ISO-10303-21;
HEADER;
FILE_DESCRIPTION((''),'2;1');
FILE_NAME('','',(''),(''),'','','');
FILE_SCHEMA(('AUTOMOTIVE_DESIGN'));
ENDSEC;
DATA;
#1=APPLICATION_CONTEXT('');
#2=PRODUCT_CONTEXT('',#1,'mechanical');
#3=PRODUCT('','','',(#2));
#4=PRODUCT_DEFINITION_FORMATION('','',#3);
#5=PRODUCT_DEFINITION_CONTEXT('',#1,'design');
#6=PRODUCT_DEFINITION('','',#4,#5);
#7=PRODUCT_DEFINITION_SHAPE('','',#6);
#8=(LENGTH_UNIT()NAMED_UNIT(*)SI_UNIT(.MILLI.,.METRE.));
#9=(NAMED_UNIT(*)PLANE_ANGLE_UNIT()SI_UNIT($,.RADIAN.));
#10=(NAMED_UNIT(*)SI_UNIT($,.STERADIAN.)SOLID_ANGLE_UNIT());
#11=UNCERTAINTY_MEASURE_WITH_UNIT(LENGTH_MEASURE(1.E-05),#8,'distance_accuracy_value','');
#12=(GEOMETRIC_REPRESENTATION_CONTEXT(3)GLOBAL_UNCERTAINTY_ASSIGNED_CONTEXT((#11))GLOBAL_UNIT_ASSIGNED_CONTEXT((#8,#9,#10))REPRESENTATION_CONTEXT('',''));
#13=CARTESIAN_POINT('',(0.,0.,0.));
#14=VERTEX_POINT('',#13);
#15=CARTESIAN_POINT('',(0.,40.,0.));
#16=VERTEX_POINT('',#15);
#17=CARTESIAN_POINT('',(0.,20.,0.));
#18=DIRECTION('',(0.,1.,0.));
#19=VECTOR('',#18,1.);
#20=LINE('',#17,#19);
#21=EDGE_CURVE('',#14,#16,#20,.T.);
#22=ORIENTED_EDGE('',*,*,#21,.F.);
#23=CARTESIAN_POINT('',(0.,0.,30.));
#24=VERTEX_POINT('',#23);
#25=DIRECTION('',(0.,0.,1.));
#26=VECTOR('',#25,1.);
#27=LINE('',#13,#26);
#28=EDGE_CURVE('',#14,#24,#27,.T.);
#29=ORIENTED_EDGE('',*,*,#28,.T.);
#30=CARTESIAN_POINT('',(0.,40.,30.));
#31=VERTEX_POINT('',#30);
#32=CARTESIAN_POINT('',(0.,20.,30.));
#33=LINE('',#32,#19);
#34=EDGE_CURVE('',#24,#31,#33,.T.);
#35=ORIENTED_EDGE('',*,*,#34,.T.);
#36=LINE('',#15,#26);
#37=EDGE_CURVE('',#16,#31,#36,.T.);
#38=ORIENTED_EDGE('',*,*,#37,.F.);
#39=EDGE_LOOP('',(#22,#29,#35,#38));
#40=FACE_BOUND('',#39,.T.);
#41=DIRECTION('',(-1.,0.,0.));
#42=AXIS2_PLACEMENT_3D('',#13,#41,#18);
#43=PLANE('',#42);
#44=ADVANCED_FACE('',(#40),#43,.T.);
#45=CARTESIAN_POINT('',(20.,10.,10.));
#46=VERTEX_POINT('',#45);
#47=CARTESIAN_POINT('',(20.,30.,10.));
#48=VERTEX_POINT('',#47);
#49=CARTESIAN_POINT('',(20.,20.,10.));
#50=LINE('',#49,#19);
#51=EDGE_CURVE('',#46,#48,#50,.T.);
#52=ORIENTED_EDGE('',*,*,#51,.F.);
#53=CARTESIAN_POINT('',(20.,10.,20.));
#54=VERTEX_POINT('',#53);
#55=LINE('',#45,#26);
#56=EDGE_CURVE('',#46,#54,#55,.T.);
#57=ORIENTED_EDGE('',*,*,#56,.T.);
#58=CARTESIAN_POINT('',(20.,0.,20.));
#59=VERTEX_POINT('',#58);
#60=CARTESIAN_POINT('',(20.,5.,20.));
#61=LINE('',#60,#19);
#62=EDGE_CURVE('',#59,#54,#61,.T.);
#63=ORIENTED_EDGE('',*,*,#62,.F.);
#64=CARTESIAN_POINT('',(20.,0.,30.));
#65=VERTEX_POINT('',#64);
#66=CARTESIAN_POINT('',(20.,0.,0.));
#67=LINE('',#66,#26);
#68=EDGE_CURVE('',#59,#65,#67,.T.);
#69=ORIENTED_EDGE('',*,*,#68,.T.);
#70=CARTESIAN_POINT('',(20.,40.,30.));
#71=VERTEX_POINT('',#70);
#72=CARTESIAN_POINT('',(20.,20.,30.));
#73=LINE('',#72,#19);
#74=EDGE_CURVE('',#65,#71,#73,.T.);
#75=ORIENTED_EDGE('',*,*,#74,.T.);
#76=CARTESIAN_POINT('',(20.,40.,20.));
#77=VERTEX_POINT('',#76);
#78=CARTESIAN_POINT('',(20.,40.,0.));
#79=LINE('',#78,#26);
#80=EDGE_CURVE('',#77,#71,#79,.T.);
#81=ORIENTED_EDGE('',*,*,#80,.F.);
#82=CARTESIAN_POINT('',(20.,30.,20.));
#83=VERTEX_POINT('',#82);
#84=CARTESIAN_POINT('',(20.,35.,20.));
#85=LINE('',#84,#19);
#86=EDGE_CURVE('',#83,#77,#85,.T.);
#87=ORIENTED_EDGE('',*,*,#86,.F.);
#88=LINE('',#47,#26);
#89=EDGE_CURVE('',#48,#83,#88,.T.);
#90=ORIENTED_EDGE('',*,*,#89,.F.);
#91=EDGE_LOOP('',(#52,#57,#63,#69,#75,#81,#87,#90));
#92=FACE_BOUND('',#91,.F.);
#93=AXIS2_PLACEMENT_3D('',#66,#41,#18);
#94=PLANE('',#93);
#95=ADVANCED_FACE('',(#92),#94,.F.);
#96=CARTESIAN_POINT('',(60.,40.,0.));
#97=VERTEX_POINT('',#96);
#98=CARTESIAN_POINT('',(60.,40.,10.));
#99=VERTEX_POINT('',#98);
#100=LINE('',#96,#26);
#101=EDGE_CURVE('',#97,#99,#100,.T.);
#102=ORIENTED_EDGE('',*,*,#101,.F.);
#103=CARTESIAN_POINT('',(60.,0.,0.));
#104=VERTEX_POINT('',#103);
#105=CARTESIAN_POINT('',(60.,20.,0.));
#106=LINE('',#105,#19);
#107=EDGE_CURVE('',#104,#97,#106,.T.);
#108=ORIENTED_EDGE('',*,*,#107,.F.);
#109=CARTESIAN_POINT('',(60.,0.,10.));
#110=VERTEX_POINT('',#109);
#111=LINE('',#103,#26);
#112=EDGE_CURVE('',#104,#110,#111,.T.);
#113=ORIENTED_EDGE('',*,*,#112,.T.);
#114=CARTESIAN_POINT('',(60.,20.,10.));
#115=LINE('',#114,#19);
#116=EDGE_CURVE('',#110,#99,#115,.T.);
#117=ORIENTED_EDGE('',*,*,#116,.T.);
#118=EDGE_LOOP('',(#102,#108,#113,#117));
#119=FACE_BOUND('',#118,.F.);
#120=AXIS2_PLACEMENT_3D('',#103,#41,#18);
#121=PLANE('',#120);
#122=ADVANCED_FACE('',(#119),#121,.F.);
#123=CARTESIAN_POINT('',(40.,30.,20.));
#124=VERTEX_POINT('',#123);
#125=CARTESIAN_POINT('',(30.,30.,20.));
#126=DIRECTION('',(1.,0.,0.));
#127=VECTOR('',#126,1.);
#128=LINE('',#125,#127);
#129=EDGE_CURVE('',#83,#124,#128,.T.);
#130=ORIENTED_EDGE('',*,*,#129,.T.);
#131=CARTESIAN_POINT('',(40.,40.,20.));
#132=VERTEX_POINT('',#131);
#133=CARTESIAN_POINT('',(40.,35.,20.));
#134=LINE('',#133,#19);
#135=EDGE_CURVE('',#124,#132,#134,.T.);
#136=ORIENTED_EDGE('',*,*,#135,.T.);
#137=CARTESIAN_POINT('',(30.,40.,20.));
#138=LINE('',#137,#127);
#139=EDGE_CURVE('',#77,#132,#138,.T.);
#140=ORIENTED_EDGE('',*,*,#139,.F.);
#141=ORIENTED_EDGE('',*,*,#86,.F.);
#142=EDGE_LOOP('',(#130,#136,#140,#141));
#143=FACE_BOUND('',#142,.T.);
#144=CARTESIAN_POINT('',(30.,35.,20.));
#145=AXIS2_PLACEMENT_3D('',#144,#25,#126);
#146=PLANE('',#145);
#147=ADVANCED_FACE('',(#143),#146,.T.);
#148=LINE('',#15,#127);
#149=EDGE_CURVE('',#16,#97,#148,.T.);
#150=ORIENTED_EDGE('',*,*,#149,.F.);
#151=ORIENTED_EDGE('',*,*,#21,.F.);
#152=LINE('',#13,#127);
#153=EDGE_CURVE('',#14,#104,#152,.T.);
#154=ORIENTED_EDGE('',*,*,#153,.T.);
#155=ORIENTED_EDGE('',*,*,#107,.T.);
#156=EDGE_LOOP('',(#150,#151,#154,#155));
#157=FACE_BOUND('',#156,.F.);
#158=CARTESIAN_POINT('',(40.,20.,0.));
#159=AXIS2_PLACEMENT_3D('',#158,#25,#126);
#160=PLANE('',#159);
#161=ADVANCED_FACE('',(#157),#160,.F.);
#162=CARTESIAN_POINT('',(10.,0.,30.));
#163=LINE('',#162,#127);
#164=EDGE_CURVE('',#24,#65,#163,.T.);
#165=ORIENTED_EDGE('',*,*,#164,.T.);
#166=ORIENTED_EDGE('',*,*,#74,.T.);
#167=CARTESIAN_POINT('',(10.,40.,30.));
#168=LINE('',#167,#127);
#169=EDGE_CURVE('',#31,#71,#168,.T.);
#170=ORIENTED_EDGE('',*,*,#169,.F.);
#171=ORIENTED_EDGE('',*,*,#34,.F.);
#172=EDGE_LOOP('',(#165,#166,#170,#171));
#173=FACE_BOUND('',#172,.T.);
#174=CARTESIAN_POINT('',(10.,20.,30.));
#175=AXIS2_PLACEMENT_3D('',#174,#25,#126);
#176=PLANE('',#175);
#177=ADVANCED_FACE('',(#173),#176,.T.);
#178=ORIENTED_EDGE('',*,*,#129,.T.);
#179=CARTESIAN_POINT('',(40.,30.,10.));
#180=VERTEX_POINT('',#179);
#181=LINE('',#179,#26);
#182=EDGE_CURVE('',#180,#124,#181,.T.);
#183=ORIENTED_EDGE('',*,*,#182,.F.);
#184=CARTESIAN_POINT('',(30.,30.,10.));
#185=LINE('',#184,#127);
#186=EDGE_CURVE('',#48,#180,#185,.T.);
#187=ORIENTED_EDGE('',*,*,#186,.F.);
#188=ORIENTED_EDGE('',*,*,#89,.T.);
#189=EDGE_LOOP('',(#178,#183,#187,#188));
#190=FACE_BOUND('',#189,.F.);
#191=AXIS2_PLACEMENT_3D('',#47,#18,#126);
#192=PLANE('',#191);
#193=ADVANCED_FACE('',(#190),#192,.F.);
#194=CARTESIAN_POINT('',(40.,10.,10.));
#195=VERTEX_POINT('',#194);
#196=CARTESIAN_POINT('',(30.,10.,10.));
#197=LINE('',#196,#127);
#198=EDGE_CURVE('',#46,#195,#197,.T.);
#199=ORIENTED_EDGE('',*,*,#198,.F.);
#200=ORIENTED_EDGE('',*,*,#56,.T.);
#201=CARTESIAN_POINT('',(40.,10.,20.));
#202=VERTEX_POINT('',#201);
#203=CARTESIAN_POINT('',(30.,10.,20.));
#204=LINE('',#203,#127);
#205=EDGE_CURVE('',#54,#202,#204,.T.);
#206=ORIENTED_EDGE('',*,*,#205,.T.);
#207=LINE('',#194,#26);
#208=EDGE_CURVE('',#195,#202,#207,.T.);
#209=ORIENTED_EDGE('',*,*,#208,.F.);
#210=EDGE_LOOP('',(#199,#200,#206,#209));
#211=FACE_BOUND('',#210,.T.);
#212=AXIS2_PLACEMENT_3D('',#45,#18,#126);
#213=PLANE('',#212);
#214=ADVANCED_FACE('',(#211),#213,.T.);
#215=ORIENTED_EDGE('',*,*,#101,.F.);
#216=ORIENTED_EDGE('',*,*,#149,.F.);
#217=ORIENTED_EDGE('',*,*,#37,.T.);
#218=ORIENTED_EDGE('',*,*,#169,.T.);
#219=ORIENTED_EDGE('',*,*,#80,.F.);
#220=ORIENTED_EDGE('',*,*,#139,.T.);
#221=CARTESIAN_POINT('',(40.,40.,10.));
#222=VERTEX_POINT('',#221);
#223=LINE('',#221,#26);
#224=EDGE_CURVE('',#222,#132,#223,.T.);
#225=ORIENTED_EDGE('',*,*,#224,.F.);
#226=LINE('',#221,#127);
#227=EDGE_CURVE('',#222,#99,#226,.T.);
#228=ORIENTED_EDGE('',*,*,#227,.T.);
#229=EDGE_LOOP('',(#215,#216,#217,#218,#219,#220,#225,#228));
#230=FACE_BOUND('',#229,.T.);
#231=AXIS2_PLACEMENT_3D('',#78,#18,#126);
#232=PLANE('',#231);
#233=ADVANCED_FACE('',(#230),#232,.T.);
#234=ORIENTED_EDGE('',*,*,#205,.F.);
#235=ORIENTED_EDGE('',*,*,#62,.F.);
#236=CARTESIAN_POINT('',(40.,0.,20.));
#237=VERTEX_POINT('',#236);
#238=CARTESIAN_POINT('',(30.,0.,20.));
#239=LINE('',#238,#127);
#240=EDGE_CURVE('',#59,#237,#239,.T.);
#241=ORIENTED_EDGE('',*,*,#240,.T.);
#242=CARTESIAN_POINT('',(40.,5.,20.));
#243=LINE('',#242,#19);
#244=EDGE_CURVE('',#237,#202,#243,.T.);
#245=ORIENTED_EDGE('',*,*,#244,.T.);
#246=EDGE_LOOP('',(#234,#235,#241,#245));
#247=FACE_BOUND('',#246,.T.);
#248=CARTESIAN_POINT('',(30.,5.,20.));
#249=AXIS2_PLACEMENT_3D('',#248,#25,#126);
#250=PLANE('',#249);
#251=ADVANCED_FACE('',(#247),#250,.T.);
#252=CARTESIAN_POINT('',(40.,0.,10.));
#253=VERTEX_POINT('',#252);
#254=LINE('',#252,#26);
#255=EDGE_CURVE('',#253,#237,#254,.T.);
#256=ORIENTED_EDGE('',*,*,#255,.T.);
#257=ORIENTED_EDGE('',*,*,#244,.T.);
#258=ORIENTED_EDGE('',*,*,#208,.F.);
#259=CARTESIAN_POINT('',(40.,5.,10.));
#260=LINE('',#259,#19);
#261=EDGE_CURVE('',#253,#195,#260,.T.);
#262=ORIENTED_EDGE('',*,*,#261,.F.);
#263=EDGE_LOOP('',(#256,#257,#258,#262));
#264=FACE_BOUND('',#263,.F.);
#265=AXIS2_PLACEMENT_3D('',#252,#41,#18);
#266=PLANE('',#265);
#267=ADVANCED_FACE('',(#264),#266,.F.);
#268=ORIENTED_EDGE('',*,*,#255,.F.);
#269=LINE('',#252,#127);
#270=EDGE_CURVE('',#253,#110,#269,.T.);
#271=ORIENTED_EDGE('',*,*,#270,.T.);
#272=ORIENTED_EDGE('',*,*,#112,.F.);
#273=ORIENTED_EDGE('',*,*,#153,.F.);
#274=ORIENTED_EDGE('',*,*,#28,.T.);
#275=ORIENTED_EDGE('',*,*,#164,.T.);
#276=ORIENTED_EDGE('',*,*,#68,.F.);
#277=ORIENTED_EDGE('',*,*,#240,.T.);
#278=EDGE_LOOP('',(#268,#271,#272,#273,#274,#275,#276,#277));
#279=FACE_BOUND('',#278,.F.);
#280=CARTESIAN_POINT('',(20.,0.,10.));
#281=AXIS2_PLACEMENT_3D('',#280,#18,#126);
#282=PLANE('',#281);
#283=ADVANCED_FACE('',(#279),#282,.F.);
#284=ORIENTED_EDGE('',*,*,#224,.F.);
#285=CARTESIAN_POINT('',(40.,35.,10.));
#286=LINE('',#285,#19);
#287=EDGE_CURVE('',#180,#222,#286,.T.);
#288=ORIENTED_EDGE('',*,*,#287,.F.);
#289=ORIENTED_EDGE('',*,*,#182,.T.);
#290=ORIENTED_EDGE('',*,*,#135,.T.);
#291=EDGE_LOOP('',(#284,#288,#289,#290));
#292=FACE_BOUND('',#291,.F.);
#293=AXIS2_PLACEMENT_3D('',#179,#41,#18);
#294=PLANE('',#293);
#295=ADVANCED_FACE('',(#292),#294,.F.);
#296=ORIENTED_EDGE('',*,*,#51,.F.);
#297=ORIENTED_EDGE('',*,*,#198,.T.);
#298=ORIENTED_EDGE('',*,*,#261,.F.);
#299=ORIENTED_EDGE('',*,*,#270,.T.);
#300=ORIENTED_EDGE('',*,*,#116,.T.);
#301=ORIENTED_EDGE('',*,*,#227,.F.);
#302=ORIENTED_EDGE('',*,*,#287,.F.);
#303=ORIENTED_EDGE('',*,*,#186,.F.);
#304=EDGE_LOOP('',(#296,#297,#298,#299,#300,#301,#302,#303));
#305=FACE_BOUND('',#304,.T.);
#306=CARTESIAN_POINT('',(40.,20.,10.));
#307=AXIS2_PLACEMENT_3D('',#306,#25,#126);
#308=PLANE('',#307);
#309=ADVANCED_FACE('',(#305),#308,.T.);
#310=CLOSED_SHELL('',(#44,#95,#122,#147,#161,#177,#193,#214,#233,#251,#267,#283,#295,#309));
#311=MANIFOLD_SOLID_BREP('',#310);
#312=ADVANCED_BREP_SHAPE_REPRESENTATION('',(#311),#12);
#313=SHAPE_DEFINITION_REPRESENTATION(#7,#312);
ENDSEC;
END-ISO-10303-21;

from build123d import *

# Parameters (mm, degrees)
F0_W     = 20
F0_H     = 40
F1_DEPTH = 30
F0_W_2   = 40
F2_DEPTH = 10
F3_W     = 20
F3_H     = 10
F4_DEPTH = 10


with BuildPart() as f1:
    # F0 (on Top) → F1 (new body)
    with BuildSketch(Plane.XY):
        with Locations((10, 20)):
            Rectangle(F0_W, F0_H)
    extrude(amount=F1_DEPTH)

    # F0 (on Top) → F2 (join)
    with BuildSketch(Plane.XY):
        with Locations((40, 20)):
            Rectangle(F0_W_2, F0_H)
    extrude(amount=F2_DEPTH)

    # F3 (on face) → F4 (join)
    with BuildSketch(Plane.XY.offset(10)):
        with Locations((30, 5)):
            Rectangle(F3_W, F3_H)
        with Locations((30, 35)):
            Rectangle(F3_W, F3_H)
    extrude(amount=F4_DEPTH)


solid = f1.part
